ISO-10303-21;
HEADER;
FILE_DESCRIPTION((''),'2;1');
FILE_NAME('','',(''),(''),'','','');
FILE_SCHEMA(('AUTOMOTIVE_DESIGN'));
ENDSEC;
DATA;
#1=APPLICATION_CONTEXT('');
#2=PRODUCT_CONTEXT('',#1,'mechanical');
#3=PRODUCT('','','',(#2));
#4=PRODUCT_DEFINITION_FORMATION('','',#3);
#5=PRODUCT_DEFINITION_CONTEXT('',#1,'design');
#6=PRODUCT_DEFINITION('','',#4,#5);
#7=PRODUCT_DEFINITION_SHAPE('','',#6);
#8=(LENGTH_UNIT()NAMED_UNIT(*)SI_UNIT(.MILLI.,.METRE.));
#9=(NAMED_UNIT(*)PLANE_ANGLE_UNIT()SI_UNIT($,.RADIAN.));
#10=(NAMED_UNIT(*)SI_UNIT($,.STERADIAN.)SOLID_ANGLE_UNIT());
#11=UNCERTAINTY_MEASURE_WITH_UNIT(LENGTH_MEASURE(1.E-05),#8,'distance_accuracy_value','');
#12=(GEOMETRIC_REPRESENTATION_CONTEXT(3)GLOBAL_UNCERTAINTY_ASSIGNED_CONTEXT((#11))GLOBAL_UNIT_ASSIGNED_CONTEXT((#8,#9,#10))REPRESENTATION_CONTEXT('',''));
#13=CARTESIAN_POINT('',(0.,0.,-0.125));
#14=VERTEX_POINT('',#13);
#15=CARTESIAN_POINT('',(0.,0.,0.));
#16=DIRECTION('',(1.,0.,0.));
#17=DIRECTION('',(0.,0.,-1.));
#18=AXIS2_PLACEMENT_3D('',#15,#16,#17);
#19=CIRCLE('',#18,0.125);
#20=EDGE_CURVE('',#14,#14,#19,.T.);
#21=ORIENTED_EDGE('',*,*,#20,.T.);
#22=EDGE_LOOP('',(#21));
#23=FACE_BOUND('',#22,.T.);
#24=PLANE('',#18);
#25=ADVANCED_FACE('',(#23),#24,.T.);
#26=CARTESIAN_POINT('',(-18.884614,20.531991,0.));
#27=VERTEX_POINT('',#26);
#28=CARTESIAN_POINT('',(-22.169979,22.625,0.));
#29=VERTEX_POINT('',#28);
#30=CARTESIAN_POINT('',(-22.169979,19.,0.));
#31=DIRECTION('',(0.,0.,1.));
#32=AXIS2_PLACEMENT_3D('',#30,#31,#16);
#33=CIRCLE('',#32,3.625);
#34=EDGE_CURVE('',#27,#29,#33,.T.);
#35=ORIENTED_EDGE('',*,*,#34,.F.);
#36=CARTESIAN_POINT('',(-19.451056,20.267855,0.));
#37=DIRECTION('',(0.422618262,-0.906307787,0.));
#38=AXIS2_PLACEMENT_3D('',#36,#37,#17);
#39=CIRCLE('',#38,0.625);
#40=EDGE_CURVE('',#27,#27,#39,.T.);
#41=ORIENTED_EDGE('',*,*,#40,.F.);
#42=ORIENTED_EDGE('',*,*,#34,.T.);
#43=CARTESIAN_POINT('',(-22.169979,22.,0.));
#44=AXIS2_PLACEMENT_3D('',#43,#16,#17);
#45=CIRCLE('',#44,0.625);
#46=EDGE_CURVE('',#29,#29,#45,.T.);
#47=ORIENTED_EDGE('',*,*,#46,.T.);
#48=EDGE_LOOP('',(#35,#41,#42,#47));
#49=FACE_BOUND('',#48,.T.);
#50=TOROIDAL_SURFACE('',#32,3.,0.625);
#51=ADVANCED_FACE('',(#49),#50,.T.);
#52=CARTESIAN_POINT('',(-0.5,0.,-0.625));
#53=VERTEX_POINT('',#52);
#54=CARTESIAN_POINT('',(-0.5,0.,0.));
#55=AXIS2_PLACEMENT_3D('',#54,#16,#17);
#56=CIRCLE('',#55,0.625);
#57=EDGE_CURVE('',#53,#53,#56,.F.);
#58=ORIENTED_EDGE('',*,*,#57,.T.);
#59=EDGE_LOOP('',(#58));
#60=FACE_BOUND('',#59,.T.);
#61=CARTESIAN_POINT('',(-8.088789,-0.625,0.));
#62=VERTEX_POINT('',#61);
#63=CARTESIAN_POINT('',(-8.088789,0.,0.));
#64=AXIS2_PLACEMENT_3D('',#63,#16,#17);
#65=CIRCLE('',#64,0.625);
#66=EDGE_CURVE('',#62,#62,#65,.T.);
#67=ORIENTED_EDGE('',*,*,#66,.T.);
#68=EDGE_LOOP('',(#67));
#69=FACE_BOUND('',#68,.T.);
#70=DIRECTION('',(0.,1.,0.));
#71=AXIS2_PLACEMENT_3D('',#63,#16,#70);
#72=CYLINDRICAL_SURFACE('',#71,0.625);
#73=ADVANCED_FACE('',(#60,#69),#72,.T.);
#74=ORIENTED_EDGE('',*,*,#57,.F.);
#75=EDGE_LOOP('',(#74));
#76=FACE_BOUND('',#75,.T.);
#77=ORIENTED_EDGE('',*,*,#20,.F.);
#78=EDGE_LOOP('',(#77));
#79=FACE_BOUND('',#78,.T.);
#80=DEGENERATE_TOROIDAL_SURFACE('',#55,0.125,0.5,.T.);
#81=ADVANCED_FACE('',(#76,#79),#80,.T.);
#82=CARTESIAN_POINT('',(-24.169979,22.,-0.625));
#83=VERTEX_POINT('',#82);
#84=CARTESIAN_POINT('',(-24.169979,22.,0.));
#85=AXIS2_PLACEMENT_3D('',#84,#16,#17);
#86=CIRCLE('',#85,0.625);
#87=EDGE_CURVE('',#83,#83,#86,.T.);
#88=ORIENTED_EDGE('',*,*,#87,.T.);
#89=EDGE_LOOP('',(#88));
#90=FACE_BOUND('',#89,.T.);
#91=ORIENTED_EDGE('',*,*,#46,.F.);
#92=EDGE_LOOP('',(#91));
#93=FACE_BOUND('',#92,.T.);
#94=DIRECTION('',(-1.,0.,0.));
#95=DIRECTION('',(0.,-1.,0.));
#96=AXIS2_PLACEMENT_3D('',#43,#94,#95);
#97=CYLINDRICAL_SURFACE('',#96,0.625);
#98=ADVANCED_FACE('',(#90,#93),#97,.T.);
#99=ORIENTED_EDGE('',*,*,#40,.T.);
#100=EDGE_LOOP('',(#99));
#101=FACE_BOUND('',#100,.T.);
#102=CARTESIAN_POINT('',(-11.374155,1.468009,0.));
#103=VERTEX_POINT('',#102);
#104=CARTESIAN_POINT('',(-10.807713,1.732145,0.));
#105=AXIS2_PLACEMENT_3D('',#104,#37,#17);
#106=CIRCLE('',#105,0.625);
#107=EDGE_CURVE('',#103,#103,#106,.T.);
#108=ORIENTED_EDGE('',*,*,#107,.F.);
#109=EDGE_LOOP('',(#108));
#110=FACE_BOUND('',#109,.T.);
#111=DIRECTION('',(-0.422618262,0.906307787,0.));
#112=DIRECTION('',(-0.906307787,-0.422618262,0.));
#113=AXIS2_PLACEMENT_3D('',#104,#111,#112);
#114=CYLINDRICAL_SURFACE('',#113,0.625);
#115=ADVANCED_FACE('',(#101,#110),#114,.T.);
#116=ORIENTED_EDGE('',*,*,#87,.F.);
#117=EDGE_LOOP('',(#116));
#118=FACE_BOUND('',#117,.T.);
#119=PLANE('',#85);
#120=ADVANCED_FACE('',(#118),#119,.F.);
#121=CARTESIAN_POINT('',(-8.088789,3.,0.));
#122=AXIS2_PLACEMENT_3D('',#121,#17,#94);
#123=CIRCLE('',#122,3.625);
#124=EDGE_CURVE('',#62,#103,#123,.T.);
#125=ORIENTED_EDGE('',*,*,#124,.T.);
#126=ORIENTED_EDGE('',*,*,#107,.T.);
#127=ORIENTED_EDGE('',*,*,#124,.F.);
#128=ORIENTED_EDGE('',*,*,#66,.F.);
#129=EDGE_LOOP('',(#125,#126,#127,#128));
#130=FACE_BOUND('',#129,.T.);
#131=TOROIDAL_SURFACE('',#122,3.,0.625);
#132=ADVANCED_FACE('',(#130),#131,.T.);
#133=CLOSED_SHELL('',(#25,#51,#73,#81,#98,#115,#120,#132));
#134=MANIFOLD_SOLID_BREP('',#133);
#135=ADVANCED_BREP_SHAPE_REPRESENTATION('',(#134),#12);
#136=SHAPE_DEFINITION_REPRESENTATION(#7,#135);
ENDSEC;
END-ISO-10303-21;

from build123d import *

# Parameters (mm, degrees)
SKETCH2_R = 0.625
FILLET2_R = 0.5


with BuildPart() as part:
    # Sweep1: sweep along a path in Sketch1
    with BuildLine(Plane.XY) as sweep1_path:
        Line((0, 0), (-8.088789218, 0))
        ThreePointArc((-8.088789218, 0), (-9.700688043, 0.469825663), (-10.807712579, 1.732145215))
        Line((-10.807712579, 1.732145215), (-19.451055901, 20.267854785))
        ThreePointArc((-19.451055901, 20.267854785), (-20.558080437, 21.530174337), (-22.169979262, 22))
        Line((-22.169979262, 22), (-24.169979262, 22))
    # Sketch2 → Sweep1 (sweep)
    with BuildSketch(Plane(origin=(0, 0, 0), x_dir=(0, 0, -1), z_dir=(1, 0, 0))):
        Circle(SKETCH2_R)
    sweep(path=sweep1_path.line)

    # Fillet2
    fillet2_edges = [part.edges().sort_by_distance(p)[0] for p in [
        (0, 0, 0.625),
    ]]
    fillet(fillet2_edges, radius=FILLET2_R)


solid = part.part
